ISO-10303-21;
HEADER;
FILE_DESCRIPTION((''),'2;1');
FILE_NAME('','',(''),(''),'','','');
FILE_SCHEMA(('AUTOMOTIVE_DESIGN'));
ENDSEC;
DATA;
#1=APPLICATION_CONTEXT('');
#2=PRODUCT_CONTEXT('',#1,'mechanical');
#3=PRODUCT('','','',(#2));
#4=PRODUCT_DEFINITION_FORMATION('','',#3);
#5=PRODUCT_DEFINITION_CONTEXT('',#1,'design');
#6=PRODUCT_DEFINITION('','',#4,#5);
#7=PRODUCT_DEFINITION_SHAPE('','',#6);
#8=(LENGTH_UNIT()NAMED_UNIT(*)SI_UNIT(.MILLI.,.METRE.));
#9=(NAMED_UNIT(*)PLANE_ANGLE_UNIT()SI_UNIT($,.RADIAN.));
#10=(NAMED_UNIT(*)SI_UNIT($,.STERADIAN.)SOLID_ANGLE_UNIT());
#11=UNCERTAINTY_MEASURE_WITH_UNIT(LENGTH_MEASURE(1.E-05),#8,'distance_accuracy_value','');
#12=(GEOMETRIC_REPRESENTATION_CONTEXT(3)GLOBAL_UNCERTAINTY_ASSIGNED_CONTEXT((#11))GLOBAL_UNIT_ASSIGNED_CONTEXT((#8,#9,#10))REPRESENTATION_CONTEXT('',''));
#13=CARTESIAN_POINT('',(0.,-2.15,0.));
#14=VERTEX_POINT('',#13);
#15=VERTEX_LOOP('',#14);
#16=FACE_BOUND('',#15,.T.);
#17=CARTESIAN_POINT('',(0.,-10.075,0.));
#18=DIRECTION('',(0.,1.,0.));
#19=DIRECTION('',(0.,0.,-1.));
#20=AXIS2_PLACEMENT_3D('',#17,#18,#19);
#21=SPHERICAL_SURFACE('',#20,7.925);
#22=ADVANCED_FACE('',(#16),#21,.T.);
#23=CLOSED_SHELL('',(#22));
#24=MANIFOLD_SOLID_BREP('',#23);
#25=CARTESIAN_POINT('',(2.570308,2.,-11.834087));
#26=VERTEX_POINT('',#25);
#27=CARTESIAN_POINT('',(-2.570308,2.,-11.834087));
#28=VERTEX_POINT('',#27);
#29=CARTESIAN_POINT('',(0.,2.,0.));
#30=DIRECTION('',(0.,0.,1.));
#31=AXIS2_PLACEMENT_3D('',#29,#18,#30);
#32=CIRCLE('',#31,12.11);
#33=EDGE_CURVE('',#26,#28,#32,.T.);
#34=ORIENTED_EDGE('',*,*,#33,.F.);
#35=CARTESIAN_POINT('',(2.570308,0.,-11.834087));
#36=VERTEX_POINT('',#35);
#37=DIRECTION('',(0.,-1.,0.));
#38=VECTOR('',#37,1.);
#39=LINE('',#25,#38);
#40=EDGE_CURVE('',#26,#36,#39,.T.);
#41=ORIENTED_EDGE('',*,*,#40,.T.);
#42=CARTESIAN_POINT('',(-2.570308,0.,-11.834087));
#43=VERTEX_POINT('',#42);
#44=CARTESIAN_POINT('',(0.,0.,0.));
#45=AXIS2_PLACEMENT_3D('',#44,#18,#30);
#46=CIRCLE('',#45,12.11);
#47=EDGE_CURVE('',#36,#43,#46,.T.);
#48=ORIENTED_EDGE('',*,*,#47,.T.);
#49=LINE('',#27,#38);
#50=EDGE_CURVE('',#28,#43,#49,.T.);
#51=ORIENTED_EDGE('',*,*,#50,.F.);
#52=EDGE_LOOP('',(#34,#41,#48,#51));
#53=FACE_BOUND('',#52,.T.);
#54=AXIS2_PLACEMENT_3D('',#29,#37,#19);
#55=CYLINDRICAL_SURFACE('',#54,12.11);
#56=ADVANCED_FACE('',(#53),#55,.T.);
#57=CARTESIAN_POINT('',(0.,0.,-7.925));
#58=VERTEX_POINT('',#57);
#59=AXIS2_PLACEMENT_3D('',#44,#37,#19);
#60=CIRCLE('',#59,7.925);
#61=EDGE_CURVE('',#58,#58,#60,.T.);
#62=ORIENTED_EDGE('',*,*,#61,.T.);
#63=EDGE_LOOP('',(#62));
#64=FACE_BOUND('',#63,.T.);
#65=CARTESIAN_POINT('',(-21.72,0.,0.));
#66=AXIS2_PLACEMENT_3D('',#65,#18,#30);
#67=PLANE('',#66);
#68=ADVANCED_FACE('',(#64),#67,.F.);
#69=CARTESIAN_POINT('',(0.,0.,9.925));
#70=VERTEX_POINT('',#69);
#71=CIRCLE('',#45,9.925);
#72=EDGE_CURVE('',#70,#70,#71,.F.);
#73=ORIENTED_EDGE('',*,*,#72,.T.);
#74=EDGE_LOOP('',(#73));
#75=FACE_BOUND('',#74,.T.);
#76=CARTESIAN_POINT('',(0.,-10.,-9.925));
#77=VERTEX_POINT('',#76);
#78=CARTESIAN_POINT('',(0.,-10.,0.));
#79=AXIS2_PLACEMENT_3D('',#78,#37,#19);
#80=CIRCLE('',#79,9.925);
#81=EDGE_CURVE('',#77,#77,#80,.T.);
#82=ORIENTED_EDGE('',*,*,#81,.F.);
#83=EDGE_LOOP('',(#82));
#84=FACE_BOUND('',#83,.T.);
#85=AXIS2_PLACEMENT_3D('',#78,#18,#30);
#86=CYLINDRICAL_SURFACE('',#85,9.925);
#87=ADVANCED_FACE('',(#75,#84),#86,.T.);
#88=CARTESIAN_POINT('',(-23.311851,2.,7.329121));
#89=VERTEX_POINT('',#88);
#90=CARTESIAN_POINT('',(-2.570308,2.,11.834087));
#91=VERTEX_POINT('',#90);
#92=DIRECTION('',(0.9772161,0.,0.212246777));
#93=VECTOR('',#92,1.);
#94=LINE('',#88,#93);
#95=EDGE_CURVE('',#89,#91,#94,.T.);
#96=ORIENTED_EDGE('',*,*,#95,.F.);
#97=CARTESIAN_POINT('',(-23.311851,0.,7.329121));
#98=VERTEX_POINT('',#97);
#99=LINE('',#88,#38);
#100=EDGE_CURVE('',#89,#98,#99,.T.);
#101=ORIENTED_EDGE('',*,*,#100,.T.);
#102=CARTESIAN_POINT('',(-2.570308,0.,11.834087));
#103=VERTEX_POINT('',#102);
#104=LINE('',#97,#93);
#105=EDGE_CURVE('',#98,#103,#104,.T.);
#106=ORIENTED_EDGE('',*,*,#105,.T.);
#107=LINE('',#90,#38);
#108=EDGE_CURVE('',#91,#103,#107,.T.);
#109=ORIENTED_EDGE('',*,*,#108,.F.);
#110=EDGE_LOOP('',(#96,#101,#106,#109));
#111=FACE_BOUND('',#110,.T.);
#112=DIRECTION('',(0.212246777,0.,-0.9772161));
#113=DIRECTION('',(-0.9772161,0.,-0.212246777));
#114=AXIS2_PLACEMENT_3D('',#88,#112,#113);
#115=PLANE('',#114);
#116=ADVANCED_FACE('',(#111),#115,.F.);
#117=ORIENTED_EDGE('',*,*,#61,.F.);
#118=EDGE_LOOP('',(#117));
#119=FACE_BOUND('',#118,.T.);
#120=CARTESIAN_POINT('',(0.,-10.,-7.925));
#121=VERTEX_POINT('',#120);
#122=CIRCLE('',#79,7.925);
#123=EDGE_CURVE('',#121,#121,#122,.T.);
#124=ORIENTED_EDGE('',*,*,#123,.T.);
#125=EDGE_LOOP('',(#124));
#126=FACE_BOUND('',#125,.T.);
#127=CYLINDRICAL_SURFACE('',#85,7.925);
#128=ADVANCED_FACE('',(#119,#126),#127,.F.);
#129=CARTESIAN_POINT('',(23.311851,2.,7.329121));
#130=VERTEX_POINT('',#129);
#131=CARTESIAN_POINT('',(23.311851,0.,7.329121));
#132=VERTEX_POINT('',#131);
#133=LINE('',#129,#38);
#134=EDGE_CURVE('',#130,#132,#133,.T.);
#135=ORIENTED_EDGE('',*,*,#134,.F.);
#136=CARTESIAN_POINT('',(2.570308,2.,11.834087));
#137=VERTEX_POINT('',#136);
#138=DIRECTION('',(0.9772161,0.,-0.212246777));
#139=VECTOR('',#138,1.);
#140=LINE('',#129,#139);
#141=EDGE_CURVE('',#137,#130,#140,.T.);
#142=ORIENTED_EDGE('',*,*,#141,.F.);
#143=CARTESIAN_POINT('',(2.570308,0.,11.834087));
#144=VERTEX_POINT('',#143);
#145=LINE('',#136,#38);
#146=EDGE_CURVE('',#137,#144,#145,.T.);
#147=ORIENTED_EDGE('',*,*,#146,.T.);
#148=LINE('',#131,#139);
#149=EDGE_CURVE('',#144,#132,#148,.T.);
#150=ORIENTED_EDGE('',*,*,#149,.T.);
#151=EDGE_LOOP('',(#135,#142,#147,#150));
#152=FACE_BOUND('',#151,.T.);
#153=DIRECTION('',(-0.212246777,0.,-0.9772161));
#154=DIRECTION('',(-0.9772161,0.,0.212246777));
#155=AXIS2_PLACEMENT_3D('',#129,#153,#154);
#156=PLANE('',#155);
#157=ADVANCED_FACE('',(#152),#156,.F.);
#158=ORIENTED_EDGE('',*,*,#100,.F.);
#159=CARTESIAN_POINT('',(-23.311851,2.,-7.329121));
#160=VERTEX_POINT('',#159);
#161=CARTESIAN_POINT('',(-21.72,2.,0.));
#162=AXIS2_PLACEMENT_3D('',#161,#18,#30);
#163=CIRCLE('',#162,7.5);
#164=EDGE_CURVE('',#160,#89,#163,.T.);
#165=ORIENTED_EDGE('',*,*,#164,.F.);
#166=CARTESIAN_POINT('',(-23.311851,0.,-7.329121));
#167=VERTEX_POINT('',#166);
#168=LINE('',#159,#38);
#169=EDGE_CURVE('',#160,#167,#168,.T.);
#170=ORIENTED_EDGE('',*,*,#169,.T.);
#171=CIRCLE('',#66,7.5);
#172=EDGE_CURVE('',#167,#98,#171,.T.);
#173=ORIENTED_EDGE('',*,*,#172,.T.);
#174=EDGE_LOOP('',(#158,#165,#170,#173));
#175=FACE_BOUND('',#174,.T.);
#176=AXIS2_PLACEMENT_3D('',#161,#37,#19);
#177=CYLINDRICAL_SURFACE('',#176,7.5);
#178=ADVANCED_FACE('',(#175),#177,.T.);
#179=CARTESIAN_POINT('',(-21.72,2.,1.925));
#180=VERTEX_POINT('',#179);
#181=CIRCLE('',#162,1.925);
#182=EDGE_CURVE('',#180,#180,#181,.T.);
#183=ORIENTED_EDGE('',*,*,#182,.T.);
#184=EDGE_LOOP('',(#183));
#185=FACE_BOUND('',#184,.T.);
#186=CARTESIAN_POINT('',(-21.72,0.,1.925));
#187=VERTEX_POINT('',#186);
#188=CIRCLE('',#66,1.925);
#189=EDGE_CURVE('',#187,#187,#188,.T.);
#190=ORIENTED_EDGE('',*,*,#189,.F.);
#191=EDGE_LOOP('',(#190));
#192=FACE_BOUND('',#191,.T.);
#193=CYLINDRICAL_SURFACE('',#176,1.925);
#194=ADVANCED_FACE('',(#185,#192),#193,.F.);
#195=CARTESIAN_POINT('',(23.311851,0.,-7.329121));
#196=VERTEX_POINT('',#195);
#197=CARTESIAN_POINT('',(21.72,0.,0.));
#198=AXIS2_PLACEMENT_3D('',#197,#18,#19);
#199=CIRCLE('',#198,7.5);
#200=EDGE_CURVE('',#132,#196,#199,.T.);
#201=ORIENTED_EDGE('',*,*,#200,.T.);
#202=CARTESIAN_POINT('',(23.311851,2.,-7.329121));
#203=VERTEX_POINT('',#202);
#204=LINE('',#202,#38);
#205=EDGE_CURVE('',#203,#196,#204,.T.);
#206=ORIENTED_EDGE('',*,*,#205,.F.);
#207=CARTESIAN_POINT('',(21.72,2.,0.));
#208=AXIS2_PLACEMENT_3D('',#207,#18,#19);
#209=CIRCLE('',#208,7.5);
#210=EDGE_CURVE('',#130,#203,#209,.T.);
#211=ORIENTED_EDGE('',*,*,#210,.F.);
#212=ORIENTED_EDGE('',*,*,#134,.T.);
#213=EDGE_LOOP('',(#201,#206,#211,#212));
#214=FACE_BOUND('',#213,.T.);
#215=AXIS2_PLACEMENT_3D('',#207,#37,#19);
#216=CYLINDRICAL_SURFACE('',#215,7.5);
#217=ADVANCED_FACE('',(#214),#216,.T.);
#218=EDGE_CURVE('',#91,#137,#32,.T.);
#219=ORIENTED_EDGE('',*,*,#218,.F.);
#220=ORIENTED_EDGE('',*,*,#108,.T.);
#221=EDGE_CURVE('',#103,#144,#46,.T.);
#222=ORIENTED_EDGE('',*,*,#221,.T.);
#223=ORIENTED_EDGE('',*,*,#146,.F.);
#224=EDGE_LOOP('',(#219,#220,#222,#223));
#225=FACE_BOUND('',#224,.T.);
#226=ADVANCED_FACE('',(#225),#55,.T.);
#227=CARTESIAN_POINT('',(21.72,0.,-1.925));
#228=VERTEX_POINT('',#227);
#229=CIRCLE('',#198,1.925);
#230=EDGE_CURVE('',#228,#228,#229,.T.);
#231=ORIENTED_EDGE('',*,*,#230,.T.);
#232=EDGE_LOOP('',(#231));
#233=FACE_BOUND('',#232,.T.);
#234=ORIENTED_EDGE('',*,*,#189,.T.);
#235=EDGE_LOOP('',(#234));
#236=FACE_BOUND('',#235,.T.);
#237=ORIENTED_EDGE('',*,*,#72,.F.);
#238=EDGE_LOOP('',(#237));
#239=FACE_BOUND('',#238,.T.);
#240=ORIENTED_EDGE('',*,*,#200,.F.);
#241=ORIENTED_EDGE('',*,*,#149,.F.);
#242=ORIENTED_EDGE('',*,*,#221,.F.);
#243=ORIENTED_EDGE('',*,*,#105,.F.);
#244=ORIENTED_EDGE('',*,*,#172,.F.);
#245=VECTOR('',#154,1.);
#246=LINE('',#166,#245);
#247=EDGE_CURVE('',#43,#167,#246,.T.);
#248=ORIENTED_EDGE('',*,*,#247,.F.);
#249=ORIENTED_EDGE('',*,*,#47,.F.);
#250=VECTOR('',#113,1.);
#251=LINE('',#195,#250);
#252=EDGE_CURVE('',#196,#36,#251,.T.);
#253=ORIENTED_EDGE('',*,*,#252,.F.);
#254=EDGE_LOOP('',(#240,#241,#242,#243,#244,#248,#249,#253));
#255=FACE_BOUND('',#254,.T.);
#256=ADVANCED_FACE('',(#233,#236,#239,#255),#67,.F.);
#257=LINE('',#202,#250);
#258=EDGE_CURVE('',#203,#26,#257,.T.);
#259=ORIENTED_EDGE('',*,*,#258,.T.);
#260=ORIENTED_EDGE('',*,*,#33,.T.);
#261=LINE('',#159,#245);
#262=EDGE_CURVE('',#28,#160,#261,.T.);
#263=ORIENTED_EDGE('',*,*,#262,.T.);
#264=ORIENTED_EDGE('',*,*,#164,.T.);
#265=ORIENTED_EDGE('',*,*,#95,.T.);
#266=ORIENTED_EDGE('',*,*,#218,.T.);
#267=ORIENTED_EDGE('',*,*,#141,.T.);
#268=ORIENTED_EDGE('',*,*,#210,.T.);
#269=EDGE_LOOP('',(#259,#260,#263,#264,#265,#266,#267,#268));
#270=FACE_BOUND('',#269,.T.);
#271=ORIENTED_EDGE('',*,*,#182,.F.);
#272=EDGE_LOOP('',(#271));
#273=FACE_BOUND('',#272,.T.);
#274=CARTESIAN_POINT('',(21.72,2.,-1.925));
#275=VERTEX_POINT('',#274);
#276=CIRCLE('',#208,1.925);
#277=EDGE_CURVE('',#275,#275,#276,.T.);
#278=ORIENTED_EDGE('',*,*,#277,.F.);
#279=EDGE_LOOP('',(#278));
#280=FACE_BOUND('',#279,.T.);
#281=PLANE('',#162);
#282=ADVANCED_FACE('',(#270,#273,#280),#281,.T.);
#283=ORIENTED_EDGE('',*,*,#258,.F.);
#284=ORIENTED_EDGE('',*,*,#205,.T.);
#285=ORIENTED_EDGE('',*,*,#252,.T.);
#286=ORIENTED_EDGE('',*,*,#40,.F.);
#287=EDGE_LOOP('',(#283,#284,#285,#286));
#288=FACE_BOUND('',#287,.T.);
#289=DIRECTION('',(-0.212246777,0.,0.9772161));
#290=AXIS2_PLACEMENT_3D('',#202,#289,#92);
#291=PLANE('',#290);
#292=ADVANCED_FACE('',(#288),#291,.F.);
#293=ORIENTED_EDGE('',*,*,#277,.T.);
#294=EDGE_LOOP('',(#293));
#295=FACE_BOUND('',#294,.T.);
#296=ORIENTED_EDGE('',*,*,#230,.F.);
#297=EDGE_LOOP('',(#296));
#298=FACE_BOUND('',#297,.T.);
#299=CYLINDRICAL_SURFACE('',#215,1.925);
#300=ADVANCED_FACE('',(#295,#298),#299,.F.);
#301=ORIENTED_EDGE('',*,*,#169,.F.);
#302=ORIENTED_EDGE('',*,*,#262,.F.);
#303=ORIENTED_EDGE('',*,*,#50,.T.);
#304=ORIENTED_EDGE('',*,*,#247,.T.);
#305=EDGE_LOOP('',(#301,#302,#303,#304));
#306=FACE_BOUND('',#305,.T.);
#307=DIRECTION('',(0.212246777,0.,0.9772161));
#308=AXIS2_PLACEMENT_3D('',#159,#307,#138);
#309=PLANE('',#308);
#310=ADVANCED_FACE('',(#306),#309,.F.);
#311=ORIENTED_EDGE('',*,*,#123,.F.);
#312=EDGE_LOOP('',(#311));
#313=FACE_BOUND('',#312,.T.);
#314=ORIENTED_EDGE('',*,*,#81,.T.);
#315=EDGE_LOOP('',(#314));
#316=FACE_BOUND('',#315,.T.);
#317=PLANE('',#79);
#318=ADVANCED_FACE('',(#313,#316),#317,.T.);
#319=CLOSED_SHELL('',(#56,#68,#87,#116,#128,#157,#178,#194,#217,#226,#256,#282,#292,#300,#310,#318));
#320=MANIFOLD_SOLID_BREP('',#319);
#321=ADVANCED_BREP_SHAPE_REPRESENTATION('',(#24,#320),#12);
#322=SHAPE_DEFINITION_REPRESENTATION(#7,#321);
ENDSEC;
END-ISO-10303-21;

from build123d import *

# Parameters (mm, degrees)
SKETCH1_R           = 1.925
BOSS_EXTRUDE1_DEPTH = 2
SKETCH3_R           = 9.925
SKETCH3_R_2         = 7.925
BOSS_EXTRUDE2_DEPTH = 10


with BuildPart() as part:
    # Sketch1 → Boss-Extrude1 (new body)
    with BuildSketch(Plane(origin=(0, 0, 0), x_dir=(1, 0, 0), z_dir=(0, 1, 0))):
        with BuildLine():
            Line((-23.311850829, 7.329120748), (-2.570308471, 11.834086968))
            ThreePointArc((-2.570308471, 11.834086968), (0, 12.11), (2.570308471, 11.834086968))
            Line((2.570308471, 11.834086968), (23.311850829, 7.329120748))
            ThreePointArc((23.311850829, 7.329120748), (29.22, 0), (23.311850829, -7.329120748))
            Line((23.311850829, -7.329120748), (2.570308471, -11.834086968))
            ThreePointArc((2.570308471, -11.834086968), (0, -12.11), (-2.570308471, -11.834086968))
            Line((-2.570308471, -11.834086968), (-23.311850829, -7.329120748))
            ThreePointArc((-23.311850829, -7.329120748), (-29.22, 0), (-23.311850829, 7.329120748))
        make_face()
        with Locations(Location((-21.72, 0, 0), (0, 0, 270))):
            Circle(SKETCH1_R, mode=Mode.SUBTRACT)
        with Locations(Location((21.72, 0, 0), (0, 0, 90))):
            Circle(SKETCH1_R, mode=Mode.SUBTRACT)
    extrude(amount=BOSS_EXTRUDE1_DEPTH)

    # Sketch3 → Boss-Extrude2 (add)
    with BuildSketch(Plane.XZ):
        with Locations(Location((0, 0, 0), (0, 0, 90))):
            Circle(SKETCH3_R)
        with Locations(Location((0, 0, 0), (0, 0, 270))):
            Circle(SKETCH3_R_2, mode=Mode.SUBTRACT)
    extrude(amount=BOSS_EXTRUDE2_DEPTH)


with BuildPart() as body_2:
    # Sketch2 → Revolve2 (revolve)
    with BuildSketch(Plane(origin=(0, 0, 0), x_dir=(0, 0, -1), z_dir=(1, 0, 0))):
        with BuildLine():
            Line((0, -2.15), (0, -18))
            ThreePointArc((0, -18), (7.925, -10.075), (0, -2.15))
        make_face()
    revolve(axis=Axis((0, -2.15, 0), (0, -1, 0)))


solid = Compound([part.part, body_2.part])
